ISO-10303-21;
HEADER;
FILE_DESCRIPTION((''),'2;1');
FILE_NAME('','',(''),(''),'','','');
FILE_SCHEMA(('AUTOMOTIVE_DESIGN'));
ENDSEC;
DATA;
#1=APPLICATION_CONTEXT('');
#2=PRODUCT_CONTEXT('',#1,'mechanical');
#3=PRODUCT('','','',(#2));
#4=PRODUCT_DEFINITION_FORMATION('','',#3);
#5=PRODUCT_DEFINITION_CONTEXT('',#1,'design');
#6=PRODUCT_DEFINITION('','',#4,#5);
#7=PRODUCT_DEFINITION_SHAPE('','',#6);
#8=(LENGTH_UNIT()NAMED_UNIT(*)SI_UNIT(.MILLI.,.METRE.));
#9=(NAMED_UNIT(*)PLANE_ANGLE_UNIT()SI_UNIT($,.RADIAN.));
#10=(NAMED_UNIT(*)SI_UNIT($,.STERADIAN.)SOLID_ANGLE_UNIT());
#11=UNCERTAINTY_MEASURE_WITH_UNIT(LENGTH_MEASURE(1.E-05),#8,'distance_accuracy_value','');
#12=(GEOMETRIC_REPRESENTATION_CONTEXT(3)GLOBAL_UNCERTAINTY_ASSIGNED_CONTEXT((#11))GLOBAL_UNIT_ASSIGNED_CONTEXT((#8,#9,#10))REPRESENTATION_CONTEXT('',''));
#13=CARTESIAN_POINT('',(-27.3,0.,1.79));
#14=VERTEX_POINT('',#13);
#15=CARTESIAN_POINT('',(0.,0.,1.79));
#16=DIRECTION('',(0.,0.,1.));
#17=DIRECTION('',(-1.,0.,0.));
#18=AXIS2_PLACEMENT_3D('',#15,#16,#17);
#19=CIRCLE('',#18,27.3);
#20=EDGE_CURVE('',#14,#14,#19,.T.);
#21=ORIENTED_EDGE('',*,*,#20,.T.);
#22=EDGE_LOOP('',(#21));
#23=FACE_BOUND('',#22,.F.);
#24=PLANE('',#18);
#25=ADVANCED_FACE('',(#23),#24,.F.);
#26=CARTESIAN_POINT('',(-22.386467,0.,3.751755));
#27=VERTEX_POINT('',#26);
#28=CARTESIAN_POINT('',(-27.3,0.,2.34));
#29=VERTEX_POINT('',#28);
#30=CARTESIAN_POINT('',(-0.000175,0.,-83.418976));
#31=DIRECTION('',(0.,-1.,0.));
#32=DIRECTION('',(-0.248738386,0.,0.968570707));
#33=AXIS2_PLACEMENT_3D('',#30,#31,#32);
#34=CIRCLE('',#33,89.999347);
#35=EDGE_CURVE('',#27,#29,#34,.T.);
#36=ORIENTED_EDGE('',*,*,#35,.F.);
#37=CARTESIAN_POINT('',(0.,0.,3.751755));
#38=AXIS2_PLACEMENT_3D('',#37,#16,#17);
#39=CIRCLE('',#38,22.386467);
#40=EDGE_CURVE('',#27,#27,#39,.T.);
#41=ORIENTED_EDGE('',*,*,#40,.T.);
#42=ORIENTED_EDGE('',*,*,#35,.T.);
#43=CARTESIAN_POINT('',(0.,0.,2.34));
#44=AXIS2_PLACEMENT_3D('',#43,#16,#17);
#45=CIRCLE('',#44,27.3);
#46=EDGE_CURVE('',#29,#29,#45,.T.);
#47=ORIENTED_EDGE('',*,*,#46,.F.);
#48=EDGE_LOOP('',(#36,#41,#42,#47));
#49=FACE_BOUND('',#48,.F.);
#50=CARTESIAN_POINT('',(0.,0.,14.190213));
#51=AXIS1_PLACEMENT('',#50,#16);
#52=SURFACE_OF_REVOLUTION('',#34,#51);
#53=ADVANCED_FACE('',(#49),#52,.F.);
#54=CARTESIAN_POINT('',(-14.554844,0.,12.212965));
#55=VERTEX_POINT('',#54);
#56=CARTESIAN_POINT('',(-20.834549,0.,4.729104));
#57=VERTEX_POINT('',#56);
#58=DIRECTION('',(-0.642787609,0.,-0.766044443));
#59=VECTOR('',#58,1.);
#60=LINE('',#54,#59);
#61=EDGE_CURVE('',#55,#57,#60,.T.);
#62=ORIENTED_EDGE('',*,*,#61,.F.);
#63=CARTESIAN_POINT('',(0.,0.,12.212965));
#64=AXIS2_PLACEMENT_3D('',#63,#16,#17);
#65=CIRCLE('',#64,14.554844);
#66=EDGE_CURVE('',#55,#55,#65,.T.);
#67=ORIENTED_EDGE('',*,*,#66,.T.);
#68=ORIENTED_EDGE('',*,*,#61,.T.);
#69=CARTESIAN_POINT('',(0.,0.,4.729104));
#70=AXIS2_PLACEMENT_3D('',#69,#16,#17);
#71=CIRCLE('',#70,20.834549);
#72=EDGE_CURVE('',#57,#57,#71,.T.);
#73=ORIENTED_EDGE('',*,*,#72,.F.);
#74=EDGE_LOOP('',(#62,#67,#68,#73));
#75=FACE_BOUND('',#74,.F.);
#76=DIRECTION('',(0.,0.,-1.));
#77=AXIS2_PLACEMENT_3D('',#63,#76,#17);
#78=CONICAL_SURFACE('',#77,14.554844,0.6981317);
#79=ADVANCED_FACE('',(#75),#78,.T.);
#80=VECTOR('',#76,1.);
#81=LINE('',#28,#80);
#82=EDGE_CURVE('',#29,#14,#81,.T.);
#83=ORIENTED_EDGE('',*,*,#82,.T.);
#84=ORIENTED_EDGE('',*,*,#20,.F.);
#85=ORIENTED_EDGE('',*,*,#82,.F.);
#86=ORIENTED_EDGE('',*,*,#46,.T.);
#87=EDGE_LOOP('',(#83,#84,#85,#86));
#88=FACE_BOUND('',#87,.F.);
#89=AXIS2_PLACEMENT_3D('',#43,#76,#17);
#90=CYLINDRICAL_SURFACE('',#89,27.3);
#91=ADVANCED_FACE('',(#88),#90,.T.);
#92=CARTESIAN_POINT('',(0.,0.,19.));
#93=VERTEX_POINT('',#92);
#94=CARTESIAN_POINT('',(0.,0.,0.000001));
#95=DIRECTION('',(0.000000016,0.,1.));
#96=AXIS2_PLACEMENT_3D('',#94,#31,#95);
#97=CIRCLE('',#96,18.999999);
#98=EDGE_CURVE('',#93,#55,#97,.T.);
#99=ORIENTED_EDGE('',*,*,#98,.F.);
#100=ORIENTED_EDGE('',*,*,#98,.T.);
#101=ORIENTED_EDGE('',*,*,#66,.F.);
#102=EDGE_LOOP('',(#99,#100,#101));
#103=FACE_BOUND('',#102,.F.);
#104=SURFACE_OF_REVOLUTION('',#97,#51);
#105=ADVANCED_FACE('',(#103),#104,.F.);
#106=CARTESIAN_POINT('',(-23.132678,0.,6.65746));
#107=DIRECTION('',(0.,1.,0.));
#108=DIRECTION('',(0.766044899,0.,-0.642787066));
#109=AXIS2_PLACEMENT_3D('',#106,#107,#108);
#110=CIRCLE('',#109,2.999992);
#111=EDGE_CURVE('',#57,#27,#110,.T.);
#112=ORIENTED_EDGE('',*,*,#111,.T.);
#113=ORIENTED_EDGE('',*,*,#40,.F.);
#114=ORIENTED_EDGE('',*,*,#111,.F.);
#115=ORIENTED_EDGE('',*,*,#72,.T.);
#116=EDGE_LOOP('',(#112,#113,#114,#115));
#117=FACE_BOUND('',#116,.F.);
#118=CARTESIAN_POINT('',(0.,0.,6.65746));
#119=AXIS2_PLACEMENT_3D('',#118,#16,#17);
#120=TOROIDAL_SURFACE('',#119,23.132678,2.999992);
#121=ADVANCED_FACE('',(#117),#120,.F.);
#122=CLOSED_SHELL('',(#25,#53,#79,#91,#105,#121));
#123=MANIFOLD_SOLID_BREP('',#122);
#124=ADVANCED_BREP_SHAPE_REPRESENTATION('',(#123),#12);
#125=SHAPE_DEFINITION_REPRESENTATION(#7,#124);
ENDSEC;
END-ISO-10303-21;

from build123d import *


with BuildPart() as f1:
    # F0 (on Front) → F1 (revolve)
    with BuildSketch(Plane.XZ):
        with BuildLine():
            Line((0, 2.34), (0, 19))
            ThreePointArc((0, 19), (-8.029747, 17.219848), (-14.554844, 12.212965))
            Line((-14.554844, 12.212965), (-20.834549, 4.729104))
            ThreePointArc((-20.834549, 4.729104), (-21.53399, 4.118927), (-22.386467, 3.751755))
            ThreePointArc((-22.386467, 3.751755), (-24.85326, 3.080773), (-27.3, 2.34))
            Line((-27.3, 2.34), (-18.855355, 2.34))
            Line((-18.855355, 2.34), (0, 2.34))
        make_face()
        with BuildLine():
            Line((0, 1.79), (0, 2.34))
            Line((0, 2.34), (-18.855355, 2.34))
            ThreePointArc((-18.855355, 2.34), (-18.887426, 2.065219), (-18.915494, 1.79))
            Line((-18.915494, 1.79), (0, 1.79))
        make_face()
        with BuildLine():
            ThreePointArc((-18.915494, 1.79), (-18.887426, 2.065219), (-18.855355, 2.34))
            Line((-18.855355, 2.34), (-27.3, 2.34))
            Line((-27.3, 2.34), (-27.3, 1.79))
            Line((-27.3, 1.79), (-18.915494, 1.79))
        make_face()
    revolve(axis=Axis((0, 0, 14.190213), (0, 0, 1)))


solid = f1.part
